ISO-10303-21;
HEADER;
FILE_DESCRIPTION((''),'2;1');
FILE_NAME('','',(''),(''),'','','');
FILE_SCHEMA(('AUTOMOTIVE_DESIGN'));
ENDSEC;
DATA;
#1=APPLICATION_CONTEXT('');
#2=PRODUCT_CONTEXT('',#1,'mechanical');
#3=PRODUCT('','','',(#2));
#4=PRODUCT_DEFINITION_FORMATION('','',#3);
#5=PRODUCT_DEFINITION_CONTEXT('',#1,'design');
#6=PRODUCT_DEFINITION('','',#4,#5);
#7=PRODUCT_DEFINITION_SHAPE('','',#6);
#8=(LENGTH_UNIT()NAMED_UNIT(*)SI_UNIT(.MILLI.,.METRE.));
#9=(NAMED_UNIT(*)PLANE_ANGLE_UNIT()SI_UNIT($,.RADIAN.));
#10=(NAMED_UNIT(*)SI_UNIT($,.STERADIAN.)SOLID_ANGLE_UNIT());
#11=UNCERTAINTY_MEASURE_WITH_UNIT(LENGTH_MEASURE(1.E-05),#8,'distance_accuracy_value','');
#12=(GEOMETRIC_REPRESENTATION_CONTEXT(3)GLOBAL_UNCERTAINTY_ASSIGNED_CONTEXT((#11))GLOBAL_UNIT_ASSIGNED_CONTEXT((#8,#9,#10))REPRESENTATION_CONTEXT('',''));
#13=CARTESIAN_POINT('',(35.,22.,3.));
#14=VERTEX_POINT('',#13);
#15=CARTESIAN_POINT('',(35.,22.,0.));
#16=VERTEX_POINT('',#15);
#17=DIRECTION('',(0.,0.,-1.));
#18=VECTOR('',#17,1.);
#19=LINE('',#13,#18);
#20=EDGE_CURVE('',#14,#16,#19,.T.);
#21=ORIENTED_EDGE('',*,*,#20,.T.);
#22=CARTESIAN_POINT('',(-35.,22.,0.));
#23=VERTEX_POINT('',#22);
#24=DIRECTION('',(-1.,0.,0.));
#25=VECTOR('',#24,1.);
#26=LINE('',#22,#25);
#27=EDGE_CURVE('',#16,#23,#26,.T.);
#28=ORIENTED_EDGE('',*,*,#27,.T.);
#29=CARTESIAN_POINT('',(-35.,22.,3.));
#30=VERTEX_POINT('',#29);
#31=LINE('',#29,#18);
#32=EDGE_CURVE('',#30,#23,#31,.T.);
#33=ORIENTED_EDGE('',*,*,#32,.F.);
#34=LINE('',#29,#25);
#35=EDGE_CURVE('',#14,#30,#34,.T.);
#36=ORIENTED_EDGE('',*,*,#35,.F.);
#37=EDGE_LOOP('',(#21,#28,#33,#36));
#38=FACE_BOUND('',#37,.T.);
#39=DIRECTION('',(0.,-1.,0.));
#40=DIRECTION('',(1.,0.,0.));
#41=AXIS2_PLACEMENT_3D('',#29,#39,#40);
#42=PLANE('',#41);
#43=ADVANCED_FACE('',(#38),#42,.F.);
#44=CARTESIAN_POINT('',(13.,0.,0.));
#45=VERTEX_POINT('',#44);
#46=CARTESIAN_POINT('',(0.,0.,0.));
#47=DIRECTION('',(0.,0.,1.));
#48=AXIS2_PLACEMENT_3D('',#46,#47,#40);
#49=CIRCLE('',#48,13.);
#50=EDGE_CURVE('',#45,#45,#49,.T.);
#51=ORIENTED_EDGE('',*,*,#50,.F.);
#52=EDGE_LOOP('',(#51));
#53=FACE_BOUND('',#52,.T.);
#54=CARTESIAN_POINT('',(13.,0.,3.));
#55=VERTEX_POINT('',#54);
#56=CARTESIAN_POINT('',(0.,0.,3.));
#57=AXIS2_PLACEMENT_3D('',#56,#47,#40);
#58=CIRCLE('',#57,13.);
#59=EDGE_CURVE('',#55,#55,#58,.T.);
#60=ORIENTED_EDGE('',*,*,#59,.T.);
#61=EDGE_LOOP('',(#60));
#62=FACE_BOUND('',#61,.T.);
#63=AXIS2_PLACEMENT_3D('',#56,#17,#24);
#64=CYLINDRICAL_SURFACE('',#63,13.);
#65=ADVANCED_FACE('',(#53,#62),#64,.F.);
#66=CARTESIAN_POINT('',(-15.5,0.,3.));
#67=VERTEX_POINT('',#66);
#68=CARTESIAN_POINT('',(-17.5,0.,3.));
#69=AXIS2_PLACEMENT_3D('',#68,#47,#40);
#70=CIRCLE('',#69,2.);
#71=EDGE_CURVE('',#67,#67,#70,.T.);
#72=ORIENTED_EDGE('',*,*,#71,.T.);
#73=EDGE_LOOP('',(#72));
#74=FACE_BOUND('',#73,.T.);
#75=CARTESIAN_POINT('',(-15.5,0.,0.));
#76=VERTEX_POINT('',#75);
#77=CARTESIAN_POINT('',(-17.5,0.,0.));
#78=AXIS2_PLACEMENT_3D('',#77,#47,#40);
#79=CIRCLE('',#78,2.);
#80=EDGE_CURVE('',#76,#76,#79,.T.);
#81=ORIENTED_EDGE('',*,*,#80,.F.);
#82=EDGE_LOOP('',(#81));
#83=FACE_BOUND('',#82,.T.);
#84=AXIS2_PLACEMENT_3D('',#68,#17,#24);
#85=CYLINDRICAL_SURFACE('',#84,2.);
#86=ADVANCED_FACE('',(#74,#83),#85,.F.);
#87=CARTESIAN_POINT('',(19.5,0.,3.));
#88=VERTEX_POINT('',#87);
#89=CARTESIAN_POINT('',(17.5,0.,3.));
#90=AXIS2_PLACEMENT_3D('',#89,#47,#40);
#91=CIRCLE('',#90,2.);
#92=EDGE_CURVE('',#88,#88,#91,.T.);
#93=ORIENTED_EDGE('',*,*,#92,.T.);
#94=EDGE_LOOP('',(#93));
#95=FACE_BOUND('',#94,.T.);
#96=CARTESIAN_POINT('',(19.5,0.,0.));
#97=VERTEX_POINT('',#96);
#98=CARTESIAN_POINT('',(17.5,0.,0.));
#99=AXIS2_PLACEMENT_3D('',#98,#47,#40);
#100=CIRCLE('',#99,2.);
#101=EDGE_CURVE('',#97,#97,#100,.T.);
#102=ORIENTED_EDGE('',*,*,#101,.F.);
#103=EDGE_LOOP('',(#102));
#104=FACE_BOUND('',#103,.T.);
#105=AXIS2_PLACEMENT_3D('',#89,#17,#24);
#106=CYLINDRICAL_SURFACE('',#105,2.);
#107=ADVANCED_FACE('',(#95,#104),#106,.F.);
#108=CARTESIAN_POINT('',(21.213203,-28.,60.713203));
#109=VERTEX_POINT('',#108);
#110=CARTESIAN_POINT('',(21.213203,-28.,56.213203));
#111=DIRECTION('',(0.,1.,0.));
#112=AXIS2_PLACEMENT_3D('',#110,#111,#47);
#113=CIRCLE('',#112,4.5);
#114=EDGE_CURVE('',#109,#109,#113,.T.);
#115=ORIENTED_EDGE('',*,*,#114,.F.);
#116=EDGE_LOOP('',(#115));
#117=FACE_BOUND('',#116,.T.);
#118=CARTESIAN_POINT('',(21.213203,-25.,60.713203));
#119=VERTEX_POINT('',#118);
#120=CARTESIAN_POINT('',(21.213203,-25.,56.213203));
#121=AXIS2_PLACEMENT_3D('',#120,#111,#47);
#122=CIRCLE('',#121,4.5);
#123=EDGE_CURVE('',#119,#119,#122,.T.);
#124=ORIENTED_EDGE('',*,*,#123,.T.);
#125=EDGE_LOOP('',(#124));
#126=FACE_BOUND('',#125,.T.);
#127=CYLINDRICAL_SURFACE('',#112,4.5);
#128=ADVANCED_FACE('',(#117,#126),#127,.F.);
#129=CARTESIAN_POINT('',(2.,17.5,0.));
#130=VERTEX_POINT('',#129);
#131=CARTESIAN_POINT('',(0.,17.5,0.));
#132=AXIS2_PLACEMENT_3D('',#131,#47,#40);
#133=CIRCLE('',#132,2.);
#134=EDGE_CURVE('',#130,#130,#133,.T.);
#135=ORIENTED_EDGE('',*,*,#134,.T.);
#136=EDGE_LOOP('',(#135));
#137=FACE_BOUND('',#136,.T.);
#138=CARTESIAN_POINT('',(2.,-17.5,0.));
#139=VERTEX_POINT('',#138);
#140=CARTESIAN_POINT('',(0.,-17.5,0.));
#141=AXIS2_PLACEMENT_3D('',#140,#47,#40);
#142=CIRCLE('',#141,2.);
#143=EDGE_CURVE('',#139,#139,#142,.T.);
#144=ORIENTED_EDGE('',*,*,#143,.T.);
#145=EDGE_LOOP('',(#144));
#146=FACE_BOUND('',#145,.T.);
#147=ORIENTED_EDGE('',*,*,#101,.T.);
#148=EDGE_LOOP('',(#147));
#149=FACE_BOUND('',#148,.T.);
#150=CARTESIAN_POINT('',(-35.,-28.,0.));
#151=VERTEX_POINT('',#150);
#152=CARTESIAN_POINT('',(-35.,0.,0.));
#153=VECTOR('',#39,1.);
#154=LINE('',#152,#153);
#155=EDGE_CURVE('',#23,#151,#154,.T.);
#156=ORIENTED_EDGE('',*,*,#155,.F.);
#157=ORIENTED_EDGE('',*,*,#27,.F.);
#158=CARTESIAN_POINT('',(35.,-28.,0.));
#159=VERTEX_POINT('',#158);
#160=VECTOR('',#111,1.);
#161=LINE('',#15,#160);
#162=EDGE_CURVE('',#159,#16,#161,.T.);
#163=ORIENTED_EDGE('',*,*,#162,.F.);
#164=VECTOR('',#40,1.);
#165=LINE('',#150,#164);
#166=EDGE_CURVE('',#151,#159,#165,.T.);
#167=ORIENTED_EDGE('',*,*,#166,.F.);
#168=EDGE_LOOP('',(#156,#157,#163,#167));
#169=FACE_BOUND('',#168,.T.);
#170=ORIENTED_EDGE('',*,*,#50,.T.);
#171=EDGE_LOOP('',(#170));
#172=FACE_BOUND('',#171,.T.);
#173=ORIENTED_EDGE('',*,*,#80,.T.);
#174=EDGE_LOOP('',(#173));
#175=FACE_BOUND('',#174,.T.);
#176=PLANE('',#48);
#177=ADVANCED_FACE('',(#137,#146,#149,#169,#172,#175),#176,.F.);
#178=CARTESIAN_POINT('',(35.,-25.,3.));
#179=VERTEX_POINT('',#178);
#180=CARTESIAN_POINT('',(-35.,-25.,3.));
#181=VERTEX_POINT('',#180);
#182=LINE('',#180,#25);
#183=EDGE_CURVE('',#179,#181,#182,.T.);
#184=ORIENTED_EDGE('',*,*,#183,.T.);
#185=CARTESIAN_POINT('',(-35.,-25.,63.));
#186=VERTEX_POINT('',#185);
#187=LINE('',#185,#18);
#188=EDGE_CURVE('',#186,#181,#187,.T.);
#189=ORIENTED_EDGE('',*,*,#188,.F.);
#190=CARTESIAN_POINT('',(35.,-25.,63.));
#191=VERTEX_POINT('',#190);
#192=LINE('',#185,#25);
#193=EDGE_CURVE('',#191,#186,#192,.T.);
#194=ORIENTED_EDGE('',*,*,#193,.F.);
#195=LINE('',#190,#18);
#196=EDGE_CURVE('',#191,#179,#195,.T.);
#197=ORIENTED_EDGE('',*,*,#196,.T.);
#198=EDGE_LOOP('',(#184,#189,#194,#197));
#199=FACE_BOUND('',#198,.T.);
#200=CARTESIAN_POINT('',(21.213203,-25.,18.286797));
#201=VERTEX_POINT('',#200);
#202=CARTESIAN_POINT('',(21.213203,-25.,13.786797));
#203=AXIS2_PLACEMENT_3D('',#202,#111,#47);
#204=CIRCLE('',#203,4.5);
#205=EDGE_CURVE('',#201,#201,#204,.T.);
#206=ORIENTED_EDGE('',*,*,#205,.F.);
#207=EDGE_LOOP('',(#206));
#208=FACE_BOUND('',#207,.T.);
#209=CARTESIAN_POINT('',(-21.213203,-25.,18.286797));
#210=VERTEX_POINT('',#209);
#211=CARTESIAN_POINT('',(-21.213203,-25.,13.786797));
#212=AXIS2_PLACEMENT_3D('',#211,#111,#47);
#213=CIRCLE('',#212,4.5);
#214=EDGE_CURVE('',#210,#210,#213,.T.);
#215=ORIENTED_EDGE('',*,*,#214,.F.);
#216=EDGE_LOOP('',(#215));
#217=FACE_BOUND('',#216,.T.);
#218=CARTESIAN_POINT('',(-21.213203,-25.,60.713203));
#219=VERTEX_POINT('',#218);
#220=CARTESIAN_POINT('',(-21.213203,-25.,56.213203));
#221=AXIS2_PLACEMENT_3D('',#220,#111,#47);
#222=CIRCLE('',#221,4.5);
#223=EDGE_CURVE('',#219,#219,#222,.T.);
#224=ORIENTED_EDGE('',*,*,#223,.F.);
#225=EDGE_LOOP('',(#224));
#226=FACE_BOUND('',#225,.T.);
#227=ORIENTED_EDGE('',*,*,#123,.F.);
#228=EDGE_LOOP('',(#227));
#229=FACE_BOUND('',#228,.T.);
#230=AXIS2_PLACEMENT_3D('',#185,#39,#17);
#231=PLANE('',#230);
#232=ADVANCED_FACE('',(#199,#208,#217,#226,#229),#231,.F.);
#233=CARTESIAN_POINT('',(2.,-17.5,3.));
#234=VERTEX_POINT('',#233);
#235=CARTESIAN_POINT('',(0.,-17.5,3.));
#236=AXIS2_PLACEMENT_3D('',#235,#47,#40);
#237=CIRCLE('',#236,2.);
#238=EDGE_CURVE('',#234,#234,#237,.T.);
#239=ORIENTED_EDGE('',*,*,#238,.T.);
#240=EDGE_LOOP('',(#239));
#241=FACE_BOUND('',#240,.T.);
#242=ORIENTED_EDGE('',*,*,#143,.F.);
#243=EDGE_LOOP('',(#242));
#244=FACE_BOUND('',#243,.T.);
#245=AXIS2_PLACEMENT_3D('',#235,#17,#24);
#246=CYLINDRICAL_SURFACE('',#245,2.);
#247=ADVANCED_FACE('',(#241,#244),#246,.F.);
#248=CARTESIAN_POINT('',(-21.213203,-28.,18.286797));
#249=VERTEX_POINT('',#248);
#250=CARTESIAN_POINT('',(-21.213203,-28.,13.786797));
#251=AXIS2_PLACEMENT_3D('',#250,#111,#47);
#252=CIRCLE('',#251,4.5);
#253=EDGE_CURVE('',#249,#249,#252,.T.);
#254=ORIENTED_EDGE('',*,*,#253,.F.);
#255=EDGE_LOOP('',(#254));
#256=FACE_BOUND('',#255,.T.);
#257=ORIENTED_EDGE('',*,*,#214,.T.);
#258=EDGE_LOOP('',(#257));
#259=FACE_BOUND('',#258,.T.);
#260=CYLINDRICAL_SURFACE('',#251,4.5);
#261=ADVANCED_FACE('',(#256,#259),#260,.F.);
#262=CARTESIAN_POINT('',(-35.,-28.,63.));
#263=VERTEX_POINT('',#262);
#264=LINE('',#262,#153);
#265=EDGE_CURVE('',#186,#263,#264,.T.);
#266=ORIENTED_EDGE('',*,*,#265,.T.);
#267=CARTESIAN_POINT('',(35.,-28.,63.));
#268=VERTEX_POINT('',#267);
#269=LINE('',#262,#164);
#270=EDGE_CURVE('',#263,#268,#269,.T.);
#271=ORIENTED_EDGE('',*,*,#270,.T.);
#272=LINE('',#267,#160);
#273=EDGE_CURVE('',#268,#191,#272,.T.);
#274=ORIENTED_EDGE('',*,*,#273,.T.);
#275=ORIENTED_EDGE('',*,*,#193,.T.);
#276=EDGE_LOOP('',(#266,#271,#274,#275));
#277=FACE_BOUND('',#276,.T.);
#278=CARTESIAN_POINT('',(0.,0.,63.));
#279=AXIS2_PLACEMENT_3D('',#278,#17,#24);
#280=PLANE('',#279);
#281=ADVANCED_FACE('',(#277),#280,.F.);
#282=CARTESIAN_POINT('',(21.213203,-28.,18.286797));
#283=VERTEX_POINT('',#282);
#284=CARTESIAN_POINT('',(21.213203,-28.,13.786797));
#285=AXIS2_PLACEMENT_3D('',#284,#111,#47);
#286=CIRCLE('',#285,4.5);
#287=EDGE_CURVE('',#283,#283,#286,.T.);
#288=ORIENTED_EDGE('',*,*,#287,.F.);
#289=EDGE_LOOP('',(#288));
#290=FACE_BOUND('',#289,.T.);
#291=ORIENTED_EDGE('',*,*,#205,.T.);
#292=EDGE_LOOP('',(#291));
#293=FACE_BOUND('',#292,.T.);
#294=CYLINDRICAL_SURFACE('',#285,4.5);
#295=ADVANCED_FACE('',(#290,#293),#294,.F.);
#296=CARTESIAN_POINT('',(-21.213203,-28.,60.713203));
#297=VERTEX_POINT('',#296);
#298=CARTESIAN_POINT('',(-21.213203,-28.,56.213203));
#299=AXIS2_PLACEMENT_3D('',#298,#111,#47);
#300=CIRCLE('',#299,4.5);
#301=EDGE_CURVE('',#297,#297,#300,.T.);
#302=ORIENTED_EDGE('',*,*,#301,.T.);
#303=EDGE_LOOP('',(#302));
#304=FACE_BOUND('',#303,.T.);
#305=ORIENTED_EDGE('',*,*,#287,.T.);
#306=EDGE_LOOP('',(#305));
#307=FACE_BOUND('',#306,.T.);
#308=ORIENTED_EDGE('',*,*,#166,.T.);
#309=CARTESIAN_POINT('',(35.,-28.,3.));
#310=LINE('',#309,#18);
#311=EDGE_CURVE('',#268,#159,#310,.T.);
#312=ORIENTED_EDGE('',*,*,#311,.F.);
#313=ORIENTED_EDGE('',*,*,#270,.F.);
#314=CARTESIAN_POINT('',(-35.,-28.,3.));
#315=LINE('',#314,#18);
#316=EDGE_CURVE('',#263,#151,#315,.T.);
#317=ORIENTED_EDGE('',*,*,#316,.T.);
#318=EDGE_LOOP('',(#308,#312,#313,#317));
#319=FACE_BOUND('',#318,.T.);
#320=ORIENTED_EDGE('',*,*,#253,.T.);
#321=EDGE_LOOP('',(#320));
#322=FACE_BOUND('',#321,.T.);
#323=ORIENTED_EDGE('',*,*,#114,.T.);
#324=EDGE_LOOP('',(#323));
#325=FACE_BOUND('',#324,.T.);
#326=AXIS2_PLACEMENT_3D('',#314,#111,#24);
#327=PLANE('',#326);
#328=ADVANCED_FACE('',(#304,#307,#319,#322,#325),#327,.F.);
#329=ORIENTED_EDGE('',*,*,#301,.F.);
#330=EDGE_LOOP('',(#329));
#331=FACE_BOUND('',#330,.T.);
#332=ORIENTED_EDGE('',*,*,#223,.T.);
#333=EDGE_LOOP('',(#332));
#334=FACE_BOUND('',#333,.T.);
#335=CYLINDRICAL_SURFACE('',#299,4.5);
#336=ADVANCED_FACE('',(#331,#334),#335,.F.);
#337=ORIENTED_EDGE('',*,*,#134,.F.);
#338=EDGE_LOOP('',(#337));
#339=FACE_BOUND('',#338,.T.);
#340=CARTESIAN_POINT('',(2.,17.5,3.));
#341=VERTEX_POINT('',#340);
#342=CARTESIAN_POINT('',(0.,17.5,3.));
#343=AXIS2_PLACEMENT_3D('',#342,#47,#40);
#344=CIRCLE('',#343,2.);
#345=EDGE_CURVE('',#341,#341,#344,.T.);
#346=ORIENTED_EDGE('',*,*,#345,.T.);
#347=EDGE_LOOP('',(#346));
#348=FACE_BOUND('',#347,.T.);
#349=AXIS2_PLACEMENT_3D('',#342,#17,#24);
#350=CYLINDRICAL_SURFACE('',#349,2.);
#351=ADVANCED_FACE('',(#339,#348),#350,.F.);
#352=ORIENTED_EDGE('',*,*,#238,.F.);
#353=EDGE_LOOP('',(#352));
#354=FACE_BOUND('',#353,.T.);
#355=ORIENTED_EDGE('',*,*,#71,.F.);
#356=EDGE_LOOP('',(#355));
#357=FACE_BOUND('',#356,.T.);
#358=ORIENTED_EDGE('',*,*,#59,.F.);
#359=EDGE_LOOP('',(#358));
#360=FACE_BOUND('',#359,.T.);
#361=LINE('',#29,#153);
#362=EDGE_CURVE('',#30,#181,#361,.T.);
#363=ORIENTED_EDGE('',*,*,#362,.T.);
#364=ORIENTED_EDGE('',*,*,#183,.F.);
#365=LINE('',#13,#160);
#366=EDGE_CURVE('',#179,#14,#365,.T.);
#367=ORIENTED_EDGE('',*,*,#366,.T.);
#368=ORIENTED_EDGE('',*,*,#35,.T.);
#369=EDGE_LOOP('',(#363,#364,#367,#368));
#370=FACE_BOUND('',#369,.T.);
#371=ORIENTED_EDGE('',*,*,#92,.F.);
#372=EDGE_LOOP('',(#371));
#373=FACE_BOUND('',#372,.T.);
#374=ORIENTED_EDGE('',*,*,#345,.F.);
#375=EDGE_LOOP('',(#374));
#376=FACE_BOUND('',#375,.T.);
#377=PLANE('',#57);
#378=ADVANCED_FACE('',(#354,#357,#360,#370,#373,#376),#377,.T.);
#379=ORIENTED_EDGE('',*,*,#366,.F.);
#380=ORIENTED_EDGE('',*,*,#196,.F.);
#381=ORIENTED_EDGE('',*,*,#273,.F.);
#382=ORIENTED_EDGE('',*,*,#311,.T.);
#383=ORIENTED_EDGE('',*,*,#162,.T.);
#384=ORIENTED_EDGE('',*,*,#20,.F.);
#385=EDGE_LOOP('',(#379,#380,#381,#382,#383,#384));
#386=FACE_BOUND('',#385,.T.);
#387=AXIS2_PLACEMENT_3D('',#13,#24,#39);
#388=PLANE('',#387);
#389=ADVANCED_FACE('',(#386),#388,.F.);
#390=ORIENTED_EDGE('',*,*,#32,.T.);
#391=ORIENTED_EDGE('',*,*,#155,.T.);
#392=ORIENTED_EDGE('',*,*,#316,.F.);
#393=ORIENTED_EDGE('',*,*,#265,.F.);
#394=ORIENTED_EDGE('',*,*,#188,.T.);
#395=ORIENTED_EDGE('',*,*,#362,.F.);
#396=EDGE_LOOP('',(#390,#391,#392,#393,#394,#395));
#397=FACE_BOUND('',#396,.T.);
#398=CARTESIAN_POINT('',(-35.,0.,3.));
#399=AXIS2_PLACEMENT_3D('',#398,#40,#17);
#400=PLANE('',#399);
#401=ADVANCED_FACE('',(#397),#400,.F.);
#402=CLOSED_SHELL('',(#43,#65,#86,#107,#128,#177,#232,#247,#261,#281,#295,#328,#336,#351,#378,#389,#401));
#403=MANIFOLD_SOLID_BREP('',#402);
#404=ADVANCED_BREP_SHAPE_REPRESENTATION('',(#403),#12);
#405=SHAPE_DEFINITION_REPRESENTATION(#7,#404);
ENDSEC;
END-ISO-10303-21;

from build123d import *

# Parameters (mm, degrees)
SKETCH_1_R          = 13
SKETCH_1_R_2        = 2
EXTRUDE_1_DEPTH     = 3
SKETCH_2_W          = 70
SKETCH_2_H          = 3
EXTRUDE_2_DEPTH     = 60
SKETCH_3_R          = 4.5
CUT_EXTRUDE_1_DEPTH = 87.040688049


with BuildPart() as part:
    # 草图1 → 凸台-拉伸1 (new body)
    with BuildSketch(Plane.XY):
        Polygon((-35, 22), (35, 22), (35, -28), (-35, -28), (-35, 0), align=None)
        Circle(SKETCH_1_R, mode=Mode.SUBTRACT)
        with Locations((0, 17.5)):
            Circle(SKETCH_1_R_2, mode=Mode.SUBTRACT)
        with Locations((17.5, 0)):
            Circle(SKETCH_1_R_2, mode=Mode.SUBTRACT)
        with Locations((0, -17.5)):
            Circle(SKETCH_1_R_2, mode=Mode.SUBTRACT)
        with Locations((-17.5, 0)):
            Circle(SKETCH_1_R_2, mode=Mode.SUBTRACT)
    extrude(amount=EXTRUDE_1_DEPTH)

    # 草图2 → 凸台-拉伸2 (add)
    with BuildSketch(Plane.XY.offset(3)):
        with Locations((0, -26.5)):
            Rectangle(SKETCH_2_W, SKETCH_2_H)
    extrude(amount=EXTRUDE_2_DEPTH)

    # 草图3 → 切除-拉伸1 (cut, through all)
    with BuildSketch(Plane(origin=(0, -25, 0), x_dir=(1, 0, 0), z_dir=(0, 1, 0))):
        with Locations(Location((21.213203436, -13.786796564, 0), (0, 0, 270))):
            Circle(SKETCH_3_R)
        with Locations(Location((21.213203436, -56.213203436, 0), (0, 0, 270))):
            Circle(SKETCH_3_R)
        with Locations(Location((-21.213203436, -56.213203436, 0), (0, 0, 270))):
            Circle(SKETCH_3_R)
        with Locations(Location((-21.213203436, -13.786796564, 0), (0, 0, 270))):
            Circle(SKETCH_3_R)
    extrude(amount=-CUT_EXTRUDE_1_DEPTH, mode=Mode.SUBTRACT)


solid = part.part
